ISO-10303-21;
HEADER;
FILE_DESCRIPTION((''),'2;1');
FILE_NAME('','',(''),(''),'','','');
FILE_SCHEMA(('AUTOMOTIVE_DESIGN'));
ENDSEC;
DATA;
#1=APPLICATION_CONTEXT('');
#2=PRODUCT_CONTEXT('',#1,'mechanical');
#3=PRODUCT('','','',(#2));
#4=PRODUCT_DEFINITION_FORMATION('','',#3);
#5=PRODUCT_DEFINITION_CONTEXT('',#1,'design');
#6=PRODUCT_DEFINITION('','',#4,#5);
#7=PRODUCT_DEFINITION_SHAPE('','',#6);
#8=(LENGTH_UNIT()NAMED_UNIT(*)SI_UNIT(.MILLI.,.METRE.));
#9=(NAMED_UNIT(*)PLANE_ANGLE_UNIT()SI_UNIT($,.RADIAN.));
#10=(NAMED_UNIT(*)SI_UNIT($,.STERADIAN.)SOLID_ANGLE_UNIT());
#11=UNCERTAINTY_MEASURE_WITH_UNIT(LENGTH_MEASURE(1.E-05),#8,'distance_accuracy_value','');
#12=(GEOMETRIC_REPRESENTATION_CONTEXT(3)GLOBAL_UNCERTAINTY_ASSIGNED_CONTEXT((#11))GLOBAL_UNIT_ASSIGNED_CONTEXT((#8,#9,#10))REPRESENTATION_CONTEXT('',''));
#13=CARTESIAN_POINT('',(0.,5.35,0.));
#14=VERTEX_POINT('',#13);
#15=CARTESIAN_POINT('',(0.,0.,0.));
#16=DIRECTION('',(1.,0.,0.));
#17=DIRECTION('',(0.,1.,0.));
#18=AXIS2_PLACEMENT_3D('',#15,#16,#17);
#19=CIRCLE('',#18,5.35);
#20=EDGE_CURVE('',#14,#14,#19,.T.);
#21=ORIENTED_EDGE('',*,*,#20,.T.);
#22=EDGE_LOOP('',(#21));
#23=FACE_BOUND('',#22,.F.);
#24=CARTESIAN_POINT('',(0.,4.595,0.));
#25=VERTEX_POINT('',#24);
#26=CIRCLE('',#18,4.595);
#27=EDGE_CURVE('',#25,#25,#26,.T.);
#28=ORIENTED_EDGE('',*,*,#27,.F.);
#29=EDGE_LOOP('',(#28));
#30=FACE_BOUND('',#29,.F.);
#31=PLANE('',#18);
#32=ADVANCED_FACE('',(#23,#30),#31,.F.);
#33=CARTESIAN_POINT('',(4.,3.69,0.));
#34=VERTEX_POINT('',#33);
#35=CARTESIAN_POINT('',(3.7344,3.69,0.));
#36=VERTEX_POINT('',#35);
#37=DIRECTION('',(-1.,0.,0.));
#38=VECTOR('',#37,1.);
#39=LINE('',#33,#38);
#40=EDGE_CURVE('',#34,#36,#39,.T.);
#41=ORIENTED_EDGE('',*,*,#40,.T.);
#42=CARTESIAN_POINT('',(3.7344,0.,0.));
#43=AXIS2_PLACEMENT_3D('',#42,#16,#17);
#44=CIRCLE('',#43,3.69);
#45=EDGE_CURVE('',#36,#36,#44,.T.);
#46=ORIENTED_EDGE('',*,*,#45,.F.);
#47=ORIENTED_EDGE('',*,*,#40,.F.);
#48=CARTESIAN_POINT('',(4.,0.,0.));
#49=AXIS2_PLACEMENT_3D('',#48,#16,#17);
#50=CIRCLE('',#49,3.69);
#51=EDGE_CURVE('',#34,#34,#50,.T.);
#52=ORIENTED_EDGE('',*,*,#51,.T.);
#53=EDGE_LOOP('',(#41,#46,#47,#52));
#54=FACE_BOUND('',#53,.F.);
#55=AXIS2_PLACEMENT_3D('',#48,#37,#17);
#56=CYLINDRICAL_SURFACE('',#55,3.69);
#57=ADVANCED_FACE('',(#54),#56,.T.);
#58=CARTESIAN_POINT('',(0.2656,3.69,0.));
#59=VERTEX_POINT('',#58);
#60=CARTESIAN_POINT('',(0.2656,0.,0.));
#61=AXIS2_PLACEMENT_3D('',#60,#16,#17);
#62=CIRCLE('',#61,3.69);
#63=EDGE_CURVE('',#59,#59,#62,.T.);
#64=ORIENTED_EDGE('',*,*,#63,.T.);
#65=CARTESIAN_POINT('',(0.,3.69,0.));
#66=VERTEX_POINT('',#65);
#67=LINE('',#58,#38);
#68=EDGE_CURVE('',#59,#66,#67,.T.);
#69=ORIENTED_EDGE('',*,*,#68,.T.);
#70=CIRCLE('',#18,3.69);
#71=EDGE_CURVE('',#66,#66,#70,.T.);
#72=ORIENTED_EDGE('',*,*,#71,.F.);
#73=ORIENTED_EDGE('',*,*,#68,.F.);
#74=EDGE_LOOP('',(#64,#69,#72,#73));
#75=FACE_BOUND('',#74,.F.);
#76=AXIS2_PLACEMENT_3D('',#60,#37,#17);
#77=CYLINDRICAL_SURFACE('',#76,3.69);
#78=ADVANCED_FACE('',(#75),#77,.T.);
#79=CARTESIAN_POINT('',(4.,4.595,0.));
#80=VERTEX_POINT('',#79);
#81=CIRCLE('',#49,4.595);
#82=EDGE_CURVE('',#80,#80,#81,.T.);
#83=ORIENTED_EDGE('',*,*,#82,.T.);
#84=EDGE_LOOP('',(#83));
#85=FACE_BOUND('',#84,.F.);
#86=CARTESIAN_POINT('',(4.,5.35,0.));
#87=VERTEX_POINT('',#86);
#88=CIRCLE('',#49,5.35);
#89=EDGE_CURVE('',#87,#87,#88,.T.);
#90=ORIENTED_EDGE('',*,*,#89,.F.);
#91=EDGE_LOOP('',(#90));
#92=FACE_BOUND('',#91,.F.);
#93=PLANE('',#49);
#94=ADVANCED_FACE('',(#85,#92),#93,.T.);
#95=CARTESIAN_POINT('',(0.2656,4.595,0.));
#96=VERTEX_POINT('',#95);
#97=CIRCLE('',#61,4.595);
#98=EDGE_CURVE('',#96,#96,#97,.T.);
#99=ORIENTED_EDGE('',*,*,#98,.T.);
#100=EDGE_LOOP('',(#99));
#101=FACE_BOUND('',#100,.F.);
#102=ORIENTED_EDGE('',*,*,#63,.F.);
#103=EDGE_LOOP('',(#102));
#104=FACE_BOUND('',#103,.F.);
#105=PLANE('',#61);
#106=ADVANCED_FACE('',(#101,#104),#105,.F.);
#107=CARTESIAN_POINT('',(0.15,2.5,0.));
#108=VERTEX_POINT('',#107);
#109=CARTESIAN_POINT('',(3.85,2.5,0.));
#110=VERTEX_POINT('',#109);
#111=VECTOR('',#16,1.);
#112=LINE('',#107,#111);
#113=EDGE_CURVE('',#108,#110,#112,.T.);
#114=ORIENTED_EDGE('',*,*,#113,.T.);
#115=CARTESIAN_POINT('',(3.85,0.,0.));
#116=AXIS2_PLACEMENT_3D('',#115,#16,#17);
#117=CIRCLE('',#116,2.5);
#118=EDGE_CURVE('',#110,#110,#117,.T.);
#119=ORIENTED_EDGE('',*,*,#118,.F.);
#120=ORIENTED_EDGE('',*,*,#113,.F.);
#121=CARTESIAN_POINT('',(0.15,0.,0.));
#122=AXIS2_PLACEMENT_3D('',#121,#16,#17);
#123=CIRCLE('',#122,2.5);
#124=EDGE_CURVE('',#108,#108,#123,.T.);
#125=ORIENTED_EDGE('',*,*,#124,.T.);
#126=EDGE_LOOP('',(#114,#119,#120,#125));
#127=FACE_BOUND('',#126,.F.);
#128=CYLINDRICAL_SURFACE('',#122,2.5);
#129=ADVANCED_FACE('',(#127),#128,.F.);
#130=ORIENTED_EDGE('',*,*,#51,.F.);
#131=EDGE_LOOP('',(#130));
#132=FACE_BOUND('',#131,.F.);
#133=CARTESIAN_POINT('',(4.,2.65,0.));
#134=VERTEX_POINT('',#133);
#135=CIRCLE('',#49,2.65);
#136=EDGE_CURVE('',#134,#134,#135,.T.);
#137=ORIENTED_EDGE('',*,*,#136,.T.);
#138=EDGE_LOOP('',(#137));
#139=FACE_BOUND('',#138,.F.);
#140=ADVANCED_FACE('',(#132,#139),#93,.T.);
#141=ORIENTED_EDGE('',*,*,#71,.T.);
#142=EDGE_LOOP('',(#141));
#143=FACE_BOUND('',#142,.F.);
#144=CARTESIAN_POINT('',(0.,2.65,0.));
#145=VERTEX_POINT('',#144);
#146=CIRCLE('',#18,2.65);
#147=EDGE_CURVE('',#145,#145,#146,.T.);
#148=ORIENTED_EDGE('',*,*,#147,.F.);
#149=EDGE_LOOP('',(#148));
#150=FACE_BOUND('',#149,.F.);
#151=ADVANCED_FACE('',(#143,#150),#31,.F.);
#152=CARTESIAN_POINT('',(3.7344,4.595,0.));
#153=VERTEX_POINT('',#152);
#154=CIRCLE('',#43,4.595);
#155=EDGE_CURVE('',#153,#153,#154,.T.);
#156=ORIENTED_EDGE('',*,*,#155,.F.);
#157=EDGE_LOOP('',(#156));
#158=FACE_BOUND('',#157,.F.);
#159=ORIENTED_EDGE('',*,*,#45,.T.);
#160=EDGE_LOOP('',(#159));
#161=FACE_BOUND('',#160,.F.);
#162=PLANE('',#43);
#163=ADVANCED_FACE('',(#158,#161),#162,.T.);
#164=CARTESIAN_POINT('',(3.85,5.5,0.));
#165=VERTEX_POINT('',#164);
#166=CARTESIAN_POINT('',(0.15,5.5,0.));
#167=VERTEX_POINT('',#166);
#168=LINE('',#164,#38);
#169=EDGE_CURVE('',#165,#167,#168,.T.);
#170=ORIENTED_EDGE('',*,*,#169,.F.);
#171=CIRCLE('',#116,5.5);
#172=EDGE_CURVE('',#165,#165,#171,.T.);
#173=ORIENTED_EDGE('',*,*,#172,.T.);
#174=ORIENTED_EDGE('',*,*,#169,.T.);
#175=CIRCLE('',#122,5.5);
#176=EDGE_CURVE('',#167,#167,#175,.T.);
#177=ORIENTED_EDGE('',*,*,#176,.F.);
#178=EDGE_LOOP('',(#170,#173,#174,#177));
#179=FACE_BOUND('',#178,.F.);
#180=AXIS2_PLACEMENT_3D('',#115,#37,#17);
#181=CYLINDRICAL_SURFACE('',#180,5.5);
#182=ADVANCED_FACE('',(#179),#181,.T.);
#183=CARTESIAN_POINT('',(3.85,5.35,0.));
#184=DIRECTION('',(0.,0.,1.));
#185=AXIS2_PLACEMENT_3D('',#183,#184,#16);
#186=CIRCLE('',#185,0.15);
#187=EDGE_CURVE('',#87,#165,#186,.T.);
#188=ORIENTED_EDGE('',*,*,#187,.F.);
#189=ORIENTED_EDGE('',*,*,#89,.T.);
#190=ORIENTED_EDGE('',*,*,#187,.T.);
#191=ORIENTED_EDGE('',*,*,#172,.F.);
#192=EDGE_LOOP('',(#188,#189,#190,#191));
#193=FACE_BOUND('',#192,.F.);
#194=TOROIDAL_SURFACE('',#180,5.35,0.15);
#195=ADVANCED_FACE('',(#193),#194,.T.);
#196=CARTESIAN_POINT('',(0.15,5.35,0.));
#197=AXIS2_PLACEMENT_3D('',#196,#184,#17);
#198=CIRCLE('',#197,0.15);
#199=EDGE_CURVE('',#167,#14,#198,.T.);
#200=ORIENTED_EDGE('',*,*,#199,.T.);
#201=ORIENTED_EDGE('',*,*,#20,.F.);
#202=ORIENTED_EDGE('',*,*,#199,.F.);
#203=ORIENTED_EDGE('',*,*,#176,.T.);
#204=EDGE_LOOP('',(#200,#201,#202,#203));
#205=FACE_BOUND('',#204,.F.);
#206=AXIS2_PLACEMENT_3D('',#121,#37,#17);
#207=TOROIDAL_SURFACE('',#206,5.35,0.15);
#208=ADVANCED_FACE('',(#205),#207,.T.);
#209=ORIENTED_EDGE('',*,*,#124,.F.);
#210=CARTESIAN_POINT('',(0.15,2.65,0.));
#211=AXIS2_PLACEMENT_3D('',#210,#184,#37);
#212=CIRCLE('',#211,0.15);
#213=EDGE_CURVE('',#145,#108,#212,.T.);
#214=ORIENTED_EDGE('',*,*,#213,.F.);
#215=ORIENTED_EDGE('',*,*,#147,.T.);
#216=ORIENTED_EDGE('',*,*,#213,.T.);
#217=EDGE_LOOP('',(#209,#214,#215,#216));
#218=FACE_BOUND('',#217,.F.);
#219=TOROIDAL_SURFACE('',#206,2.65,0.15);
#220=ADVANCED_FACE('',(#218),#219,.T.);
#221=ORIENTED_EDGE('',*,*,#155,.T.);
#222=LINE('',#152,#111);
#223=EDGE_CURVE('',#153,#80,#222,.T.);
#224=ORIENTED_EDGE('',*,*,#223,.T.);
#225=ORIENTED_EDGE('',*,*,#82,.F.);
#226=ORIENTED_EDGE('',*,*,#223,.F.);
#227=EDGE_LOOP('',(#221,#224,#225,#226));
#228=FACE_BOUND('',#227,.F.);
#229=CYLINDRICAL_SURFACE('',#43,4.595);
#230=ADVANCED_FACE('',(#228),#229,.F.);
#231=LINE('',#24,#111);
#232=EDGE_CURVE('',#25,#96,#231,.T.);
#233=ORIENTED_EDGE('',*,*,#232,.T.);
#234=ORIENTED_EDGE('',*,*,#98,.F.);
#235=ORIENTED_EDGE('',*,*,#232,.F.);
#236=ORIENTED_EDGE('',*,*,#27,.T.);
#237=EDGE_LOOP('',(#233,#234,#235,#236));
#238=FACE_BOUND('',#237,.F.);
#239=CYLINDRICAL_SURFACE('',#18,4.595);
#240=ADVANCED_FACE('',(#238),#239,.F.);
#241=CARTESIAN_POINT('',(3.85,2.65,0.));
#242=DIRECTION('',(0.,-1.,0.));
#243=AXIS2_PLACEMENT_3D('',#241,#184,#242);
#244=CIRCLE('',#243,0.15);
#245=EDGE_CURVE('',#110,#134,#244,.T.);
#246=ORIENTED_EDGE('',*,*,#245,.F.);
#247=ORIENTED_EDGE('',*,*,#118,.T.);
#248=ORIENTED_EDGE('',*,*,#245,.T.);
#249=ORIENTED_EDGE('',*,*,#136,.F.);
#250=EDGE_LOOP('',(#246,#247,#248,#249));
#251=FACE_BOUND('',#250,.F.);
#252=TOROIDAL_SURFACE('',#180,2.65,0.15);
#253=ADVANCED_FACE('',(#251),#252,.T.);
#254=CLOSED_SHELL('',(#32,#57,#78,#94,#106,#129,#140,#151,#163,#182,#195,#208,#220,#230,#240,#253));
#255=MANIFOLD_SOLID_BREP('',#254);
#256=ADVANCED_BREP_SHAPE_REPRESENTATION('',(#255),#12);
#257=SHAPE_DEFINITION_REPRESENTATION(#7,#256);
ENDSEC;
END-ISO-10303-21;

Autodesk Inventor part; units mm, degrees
sketch "Sketch_1" plane through (0, 0, 0) normal (0, 0, 1) x (1, 0, 0)
  line L0 (3.85, 0) -> (0.15, 0)
  arc A0 (0, 2.65) -> (0.15, 2.5) centre (0.15, 2.65) ccw
  line L1 (0.15, 2.5) -> (3.85, 2.5)
  arc A1 (3.85, 2.5) -> (4, 2.65) centre (3.85, 2.65) ccw
  line L2 (4, 2.65) -> (4, 3.69)
  line L3 (4, 3.69) -> (3.7344, 3.69)
  line L4 (3.7344, 3.69) -> (3.7344, 4.595)
  line L5 (3.7344, 4.595) -> (4, 4.595)
  line L6 (4, 4.595) -> (4, 5.35)
  arc A2 (4, 5.35) -> (3.85, 5.5) centre (3.85, 5.35) ccw
  line L7 (3.85, 5.5) -> (0.15, 5.5)
  arc A3 (0.15, 5.5) -> (0, 5.35) centre (0.15, 5.35) ccw
  line L8 (0, 5.35) -> (0, 4.595)
  line L9 (0, 4.595) -> (0.2656, 4.595)
  line L10 (0.2656, 4.595) -> (0.2656, 3.69)
  line L11 (0.2656, 3.69) -> (0, 3.69)
  line L12 (0, 3.69) -> (0, 2.65)
revolve "Revolution1" add sketch "Sketch_1" angle 360 about axis through (3.85, 0, 0) along (1, 0, 0)
ref_plane "to_housing_XY" through (0, 0, 0) normal (1, 0, 0) x (0, 0, -1)
ref_plane "to_housing_YZ" through (0, 0, 0) normal (0, 0, -1) x (0, 1, 0)
ref_plane "to_housing_ZX" through (0, 0, 0) normal (0, 1, 0) x (1, 0, 0)
ref_plane "to_housing_center_XY" through (2, 0, 0) normal (1, 0, 0) x (0, 0, -1)
ref_plane "to_housing_center_YZ" through (2, 0, 0) normal (0, 0, -1) x (0, 1, 0)
ref_plane "to_housing_center_ZX" through (2, 0, 0) normal (0, 1, 0) x (1, 0, 0)
properties part number "BR115ZZ"
